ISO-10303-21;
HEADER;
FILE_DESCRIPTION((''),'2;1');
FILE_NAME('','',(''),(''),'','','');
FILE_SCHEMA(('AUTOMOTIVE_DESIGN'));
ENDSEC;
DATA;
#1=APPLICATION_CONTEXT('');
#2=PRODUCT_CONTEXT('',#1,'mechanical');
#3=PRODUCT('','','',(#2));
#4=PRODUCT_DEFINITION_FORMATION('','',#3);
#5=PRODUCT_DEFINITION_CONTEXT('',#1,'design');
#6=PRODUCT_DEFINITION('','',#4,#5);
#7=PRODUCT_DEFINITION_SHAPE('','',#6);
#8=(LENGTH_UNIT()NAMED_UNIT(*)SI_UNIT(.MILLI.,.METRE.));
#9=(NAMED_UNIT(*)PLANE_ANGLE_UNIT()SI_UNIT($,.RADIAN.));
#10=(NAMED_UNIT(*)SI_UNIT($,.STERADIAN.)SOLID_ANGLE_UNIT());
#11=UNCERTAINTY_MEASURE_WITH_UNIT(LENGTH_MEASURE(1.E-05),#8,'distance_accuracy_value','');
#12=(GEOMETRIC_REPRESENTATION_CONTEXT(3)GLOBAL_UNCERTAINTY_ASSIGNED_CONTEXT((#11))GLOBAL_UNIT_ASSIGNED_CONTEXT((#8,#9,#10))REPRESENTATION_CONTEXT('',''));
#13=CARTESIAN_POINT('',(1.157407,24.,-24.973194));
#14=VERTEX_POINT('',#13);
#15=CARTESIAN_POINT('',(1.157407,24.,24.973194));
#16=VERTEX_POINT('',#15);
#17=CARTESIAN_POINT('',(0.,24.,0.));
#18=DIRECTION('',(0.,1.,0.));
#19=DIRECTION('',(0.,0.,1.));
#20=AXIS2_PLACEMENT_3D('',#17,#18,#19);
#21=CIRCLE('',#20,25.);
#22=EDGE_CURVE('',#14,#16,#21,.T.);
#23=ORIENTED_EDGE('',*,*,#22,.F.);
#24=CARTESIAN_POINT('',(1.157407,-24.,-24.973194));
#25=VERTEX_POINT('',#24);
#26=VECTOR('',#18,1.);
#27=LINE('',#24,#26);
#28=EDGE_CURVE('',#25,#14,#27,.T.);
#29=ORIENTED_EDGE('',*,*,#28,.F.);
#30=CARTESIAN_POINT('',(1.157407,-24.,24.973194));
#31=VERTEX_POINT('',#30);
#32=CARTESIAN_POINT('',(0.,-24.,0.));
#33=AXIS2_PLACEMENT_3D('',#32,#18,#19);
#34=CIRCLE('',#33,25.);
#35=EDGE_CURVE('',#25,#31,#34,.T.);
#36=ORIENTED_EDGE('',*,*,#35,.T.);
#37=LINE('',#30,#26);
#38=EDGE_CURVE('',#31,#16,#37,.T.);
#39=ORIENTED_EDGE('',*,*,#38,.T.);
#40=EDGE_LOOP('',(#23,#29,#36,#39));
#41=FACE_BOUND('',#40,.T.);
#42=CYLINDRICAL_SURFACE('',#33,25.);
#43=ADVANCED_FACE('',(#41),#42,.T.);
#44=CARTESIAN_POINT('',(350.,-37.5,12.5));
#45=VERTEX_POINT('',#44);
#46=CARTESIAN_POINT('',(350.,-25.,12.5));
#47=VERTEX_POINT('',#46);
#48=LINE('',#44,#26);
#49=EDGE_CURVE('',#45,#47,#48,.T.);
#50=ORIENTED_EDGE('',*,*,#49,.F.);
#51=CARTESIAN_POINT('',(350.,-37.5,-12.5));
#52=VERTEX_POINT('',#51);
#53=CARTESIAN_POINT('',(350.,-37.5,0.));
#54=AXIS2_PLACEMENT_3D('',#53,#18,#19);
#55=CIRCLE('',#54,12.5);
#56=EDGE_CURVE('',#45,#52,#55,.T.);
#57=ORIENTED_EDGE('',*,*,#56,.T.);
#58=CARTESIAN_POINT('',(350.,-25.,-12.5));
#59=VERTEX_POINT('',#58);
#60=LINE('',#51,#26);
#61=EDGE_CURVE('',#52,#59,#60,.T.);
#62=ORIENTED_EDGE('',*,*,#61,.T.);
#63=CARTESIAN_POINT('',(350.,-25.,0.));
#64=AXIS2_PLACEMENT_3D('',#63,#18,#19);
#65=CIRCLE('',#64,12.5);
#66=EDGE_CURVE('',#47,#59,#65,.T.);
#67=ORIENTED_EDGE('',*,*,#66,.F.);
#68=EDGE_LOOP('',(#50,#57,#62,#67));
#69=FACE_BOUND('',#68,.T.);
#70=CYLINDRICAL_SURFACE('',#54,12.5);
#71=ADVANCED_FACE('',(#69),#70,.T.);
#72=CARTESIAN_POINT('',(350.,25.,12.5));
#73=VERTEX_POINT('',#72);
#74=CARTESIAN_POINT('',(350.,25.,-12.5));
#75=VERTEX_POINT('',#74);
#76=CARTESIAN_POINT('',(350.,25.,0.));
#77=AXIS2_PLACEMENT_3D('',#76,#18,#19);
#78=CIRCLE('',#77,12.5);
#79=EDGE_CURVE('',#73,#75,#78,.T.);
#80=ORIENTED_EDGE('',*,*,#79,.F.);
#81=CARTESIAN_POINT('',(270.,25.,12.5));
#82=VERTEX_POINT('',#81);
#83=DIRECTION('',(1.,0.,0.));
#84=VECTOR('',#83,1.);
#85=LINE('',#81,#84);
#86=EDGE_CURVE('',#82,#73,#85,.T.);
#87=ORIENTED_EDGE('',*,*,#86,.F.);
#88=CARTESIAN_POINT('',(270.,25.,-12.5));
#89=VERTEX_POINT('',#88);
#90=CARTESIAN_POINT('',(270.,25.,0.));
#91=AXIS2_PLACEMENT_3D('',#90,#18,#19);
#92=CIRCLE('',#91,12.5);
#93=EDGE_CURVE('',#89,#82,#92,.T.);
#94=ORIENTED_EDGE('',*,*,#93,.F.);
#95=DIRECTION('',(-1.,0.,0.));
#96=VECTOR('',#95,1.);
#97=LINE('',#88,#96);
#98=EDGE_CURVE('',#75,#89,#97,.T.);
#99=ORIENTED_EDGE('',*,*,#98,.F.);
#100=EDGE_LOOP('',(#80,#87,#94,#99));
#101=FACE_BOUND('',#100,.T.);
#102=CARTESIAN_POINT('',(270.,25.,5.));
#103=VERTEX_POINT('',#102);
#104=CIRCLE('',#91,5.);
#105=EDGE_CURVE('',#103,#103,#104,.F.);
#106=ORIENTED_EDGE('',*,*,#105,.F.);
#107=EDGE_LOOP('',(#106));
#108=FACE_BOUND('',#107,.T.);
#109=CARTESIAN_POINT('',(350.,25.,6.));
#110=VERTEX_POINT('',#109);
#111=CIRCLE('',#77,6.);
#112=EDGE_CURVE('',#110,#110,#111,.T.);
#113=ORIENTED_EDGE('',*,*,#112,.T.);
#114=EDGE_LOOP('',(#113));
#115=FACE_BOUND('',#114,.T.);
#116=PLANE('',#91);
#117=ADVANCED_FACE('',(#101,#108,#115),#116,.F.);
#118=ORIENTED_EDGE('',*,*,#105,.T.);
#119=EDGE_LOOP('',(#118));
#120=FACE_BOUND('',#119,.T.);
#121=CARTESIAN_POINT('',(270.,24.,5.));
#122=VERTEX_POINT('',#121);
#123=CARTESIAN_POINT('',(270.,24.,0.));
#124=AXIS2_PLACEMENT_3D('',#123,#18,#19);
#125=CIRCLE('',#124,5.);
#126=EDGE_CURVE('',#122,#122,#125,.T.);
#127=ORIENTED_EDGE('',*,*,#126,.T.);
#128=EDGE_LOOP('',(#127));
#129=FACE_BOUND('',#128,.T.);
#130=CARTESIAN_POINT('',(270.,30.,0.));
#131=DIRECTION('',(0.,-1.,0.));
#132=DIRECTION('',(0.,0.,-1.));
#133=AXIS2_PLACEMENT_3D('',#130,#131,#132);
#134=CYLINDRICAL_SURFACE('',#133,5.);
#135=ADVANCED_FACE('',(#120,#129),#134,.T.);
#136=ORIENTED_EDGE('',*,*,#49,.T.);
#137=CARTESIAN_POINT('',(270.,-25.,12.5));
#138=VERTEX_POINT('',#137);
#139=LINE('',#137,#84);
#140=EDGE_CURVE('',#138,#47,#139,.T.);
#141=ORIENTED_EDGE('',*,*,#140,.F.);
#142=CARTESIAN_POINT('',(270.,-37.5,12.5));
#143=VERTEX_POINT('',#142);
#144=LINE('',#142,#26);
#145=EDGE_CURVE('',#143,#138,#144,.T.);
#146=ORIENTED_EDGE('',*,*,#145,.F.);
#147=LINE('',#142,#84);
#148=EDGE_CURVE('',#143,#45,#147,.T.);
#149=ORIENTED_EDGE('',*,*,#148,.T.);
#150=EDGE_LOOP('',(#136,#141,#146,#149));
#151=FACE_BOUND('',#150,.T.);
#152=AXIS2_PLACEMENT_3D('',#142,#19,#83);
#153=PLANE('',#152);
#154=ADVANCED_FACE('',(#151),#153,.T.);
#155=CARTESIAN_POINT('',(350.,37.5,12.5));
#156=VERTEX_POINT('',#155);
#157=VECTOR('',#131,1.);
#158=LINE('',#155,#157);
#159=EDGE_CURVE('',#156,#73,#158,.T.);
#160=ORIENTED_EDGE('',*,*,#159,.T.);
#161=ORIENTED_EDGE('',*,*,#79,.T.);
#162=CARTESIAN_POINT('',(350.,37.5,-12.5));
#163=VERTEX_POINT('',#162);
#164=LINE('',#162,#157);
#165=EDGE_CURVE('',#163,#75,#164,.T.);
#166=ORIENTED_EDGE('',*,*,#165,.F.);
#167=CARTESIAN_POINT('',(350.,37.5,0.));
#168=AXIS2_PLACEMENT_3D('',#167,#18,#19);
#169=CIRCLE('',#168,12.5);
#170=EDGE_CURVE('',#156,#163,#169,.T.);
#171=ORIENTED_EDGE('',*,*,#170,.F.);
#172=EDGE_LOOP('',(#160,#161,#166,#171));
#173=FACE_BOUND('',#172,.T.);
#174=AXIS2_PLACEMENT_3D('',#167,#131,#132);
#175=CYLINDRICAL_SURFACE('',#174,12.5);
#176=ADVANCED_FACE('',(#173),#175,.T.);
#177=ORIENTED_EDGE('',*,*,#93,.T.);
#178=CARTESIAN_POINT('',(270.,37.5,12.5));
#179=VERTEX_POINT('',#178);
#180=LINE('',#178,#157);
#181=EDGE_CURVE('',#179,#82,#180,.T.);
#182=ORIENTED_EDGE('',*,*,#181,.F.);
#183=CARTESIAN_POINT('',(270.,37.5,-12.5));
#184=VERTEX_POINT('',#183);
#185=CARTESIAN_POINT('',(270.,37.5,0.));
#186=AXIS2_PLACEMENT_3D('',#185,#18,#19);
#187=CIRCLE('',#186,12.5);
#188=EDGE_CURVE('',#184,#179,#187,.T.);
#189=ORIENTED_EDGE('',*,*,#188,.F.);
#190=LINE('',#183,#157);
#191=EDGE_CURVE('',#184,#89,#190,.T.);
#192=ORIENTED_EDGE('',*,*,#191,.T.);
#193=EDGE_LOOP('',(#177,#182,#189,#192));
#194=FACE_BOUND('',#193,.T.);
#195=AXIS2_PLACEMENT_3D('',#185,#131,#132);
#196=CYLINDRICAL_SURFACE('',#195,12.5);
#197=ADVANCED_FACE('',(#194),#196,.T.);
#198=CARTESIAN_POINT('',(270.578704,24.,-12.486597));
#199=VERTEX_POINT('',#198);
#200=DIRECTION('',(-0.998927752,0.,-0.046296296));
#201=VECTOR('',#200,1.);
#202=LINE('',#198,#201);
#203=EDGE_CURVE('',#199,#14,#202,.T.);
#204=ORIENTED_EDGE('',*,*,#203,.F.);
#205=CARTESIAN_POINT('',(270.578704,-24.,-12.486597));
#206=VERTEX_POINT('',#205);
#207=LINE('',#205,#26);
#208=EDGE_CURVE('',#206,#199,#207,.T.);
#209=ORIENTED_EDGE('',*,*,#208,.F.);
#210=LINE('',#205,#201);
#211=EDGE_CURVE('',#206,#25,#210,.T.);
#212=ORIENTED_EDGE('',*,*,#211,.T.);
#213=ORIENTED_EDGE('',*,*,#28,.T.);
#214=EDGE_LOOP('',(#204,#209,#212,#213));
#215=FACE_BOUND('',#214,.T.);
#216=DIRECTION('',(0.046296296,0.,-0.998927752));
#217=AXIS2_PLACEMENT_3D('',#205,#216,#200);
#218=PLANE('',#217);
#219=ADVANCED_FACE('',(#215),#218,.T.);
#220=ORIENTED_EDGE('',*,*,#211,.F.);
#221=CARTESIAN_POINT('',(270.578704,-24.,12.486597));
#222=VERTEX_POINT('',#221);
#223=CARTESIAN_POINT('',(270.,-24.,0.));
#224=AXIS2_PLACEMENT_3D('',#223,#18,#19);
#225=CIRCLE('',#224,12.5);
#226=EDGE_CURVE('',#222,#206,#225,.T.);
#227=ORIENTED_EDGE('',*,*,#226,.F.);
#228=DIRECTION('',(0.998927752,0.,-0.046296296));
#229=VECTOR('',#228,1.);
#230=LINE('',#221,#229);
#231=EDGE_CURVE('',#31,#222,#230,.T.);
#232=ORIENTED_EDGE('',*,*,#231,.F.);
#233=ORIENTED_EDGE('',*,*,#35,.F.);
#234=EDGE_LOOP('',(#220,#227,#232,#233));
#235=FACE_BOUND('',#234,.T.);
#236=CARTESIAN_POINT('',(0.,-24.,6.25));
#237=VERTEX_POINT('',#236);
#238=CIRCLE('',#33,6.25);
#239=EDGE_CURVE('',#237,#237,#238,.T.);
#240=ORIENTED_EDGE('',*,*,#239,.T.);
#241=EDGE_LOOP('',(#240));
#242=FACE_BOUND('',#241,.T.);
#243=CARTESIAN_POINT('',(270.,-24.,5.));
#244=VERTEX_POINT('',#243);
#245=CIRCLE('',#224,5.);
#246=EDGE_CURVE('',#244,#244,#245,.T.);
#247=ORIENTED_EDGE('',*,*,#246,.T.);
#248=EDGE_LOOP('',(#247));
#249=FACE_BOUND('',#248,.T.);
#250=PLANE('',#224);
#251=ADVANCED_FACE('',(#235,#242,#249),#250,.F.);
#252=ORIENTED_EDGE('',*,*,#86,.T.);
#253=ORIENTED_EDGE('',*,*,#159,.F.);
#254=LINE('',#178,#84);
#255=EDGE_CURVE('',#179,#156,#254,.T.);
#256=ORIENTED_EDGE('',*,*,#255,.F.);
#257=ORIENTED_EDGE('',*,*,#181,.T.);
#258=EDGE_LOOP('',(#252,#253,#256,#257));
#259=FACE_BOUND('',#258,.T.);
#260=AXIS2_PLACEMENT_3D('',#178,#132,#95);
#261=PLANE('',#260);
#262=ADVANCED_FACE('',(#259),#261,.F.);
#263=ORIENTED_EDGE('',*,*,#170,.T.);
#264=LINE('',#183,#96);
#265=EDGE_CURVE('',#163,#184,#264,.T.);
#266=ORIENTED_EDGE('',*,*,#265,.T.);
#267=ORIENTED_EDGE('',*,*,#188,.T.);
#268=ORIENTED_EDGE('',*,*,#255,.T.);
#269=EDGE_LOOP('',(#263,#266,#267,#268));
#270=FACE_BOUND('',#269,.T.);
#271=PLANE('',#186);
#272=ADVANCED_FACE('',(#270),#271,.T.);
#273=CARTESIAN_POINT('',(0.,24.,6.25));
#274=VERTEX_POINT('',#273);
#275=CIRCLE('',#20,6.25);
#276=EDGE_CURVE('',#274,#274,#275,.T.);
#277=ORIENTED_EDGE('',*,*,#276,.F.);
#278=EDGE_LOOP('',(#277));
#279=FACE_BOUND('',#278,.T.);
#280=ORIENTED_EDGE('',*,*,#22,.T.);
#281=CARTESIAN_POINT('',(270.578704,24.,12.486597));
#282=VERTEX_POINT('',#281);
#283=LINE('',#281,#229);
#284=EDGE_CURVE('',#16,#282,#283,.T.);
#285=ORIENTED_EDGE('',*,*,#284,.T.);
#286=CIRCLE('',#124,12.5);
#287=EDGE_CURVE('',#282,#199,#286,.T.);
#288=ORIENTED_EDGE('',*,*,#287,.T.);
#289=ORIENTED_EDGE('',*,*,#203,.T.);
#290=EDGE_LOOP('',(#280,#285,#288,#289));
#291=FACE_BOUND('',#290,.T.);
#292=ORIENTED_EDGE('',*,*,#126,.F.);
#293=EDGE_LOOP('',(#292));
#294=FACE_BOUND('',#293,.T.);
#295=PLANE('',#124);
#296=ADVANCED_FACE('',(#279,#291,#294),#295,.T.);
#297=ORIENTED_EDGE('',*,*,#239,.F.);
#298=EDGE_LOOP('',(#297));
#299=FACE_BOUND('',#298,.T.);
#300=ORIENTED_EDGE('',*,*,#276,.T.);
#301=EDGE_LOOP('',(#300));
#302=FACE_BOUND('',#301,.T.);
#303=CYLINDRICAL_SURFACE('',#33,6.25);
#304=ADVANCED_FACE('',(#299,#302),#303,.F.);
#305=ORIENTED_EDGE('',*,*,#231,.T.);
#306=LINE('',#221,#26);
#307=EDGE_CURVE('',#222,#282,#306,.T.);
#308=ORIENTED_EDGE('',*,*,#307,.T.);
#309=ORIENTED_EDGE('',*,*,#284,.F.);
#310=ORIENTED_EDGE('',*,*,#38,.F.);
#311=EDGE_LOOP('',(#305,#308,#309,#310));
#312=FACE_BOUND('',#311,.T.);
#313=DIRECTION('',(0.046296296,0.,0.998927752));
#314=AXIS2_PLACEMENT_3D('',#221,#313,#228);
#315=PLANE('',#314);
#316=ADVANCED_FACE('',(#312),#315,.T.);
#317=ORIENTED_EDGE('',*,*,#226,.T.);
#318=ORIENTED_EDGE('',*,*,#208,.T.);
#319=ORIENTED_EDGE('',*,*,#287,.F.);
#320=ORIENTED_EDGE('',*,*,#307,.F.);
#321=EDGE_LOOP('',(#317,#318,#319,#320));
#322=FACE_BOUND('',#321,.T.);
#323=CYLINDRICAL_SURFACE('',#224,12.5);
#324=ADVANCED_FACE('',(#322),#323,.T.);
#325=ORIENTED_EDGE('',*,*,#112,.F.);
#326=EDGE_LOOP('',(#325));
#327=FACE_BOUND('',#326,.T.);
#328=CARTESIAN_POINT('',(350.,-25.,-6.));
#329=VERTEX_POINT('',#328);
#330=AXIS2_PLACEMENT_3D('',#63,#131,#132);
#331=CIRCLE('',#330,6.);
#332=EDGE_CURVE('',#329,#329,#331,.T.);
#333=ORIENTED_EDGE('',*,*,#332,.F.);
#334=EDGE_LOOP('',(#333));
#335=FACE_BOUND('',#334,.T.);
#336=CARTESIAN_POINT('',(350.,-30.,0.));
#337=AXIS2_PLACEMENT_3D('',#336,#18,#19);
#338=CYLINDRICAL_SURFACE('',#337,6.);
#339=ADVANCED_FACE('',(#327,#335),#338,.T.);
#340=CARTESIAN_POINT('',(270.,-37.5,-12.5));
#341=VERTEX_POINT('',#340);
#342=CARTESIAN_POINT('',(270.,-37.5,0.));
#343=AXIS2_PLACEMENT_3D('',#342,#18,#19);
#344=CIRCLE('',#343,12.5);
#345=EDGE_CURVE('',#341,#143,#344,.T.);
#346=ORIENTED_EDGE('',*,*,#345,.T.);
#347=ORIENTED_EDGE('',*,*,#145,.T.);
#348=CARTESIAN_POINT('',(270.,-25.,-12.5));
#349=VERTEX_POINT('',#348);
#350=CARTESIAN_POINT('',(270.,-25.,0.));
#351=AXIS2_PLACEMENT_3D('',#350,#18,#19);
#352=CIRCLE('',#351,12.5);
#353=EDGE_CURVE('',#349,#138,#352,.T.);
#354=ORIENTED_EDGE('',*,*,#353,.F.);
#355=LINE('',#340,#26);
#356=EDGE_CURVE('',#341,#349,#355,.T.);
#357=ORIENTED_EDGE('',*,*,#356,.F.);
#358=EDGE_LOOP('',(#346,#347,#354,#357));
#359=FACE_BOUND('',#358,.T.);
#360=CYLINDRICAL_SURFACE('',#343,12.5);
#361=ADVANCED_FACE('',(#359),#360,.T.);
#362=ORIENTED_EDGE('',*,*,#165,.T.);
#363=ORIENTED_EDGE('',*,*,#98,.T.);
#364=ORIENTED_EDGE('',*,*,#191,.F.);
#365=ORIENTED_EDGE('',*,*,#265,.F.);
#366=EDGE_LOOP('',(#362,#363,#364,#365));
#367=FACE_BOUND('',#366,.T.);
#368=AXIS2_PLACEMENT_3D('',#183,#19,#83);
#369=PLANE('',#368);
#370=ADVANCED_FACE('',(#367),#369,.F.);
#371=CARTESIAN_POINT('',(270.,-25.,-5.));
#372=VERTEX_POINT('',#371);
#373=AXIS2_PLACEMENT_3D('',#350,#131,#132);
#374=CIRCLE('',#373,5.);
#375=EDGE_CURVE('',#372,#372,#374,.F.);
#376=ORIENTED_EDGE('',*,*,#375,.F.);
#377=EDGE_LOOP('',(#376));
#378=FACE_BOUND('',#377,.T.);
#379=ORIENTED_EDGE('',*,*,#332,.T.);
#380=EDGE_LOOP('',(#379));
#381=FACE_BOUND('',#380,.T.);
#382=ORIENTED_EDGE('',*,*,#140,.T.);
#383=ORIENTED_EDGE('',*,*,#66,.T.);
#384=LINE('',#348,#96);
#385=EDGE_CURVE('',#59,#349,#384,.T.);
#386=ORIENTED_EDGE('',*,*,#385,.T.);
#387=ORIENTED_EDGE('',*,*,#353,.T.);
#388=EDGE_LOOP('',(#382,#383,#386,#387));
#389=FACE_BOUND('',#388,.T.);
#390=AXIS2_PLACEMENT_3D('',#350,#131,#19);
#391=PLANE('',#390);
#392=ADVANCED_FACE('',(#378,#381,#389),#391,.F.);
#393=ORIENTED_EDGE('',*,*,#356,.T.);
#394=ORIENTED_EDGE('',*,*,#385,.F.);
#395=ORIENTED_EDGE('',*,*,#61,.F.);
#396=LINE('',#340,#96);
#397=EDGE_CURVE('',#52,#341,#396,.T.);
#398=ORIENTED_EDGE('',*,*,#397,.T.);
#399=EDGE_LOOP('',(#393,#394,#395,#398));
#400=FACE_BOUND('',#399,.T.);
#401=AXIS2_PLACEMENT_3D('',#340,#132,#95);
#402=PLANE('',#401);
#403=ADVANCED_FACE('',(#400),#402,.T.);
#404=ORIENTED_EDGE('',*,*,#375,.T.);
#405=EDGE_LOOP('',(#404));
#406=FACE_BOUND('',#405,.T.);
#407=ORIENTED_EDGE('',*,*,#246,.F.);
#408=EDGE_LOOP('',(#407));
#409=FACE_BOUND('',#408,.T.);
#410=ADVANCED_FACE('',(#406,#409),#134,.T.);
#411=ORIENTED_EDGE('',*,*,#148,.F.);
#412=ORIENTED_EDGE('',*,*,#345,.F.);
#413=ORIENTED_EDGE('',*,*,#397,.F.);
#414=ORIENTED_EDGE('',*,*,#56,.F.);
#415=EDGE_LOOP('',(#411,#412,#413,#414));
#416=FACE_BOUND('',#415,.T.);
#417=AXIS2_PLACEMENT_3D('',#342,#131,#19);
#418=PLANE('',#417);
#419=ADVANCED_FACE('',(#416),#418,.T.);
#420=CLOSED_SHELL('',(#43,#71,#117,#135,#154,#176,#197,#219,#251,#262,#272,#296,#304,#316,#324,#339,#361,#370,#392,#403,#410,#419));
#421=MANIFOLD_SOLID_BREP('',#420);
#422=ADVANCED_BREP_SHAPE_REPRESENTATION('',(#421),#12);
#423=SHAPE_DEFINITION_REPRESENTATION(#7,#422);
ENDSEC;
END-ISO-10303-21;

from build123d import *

# Parameters (mm, degrees)
BOSS_EXTRUDE1_DEPTH      = 24
BOSS_EXTRUDE1_DEPTH_BACK = 24
SKETCH2_R                = 6.25
BOSS_EXTRUDE2_START      = 1
BOSS_EXTRUDE2_DEPTH      = 12.5
BOSS_EXTRUDE4_DEPTH      = 10
BOSS_EXTRUDE4_DEPTH_BACK = 54
SKETCH5_R                = 5
BOSS_EXTRUDE5_DEPTH      = 31
BOSS_EXTRUDE5_DEPTH_BACK = 30
SKETCH6_R                = 6


with BuildPart() as part:
    # Sketch2 → Boss-Extrude1 (new, two sides: drawn at the far end of the back side and taken through both)
    with BuildSketch(Plane(origin=(0, 0, 0), x_dir=(1, 0, 0), z_dir=(0, 1, 0)).offset(-BOSS_EXTRUDE1_DEPTH_BACK)):
        with BuildLine():
            Line((270.578703704, 12.486596895), (1.157407407, 24.97319379))
            ThreePointArc((1.157407407, 24.97319379), (-25, 0), (1.157407407, -24.97319379))
            Line((1.157407407, -24.97319379), (270.578703704, -12.486596895))
            ThreePointArc((270.578703704, -12.486596895), (282.5, 0), (270.578703704, 12.486596895))
        make_face()
        Circle(SKETCH2_R, mode=Mode.SUBTRACT)
    extrude(amount=BOSS_EXTRUDE1_DEPTH + BOSS_EXTRUDE1_DEPTH_BACK)



with BuildPart() as body_2:
    # Sketch3 → Boss-Extrude2 (new body)
    with BuildSketch(Plane(origin=(0, 24, 0), x_dir=(1, 0, 0), z_dir=(0, 1, 0)).offset(BOSS_EXTRUDE2_START)):
        with BuildLine():
            Line((270, 12.5), (350, 12.5))
            ThreePointArc((350, 12.5), (362.5, 0), (350, -12.5))
            Line((350, -12.5), (270, -12.5))
            ThreePointArc((270, -12.5), (257.5, 0), (270, 12.5))
        make_face()
    boss_extrude2 = extrude(amount=BOSS_EXTRUDE2_DEPTH)


with BuildPart() as part_1:
    add(part.part)

    add(body_2.part)  # Boss-Extrude4 merges body 2
    # Sketch5 → Boss-Extrude4 (add, two sides: drawn at the far end of the back side and taken through both)
    with BuildSketch(Plane.XZ.offset(24).offset(-BOSS_EXTRUDE4_DEPTH_BACK)):
        with Locations((270, 0)):
            Circle(SKETCH5_R)
    extrude(amount=BOSS_EXTRUDE4_DEPTH + BOSS_EXTRUDE4_DEPTH_BACK)

    # Mirror1: Boss-Extrude2 across plane
    add(boss_extrude2.mirror(Plane.ZX))

    # Sketch6 → Boss-Extrude5 (add, two sides: drawn at the far end of the back side and taken through both)
    with BuildSketch(Plane(origin=(0, 0, 0), x_dir=(1, 0, 0), z_dir=(0, 1, 0)).offset(-BOSS_EXTRUDE5_DEPTH_BACK)):
        with Locations((350, 0)):
            Circle(SKETCH6_R)
    extrude(amount=BOSS_EXTRUDE5_DEPTH + BOSS_EXTRUDE5_DEPTH_BACK)


solid = part_1.part
